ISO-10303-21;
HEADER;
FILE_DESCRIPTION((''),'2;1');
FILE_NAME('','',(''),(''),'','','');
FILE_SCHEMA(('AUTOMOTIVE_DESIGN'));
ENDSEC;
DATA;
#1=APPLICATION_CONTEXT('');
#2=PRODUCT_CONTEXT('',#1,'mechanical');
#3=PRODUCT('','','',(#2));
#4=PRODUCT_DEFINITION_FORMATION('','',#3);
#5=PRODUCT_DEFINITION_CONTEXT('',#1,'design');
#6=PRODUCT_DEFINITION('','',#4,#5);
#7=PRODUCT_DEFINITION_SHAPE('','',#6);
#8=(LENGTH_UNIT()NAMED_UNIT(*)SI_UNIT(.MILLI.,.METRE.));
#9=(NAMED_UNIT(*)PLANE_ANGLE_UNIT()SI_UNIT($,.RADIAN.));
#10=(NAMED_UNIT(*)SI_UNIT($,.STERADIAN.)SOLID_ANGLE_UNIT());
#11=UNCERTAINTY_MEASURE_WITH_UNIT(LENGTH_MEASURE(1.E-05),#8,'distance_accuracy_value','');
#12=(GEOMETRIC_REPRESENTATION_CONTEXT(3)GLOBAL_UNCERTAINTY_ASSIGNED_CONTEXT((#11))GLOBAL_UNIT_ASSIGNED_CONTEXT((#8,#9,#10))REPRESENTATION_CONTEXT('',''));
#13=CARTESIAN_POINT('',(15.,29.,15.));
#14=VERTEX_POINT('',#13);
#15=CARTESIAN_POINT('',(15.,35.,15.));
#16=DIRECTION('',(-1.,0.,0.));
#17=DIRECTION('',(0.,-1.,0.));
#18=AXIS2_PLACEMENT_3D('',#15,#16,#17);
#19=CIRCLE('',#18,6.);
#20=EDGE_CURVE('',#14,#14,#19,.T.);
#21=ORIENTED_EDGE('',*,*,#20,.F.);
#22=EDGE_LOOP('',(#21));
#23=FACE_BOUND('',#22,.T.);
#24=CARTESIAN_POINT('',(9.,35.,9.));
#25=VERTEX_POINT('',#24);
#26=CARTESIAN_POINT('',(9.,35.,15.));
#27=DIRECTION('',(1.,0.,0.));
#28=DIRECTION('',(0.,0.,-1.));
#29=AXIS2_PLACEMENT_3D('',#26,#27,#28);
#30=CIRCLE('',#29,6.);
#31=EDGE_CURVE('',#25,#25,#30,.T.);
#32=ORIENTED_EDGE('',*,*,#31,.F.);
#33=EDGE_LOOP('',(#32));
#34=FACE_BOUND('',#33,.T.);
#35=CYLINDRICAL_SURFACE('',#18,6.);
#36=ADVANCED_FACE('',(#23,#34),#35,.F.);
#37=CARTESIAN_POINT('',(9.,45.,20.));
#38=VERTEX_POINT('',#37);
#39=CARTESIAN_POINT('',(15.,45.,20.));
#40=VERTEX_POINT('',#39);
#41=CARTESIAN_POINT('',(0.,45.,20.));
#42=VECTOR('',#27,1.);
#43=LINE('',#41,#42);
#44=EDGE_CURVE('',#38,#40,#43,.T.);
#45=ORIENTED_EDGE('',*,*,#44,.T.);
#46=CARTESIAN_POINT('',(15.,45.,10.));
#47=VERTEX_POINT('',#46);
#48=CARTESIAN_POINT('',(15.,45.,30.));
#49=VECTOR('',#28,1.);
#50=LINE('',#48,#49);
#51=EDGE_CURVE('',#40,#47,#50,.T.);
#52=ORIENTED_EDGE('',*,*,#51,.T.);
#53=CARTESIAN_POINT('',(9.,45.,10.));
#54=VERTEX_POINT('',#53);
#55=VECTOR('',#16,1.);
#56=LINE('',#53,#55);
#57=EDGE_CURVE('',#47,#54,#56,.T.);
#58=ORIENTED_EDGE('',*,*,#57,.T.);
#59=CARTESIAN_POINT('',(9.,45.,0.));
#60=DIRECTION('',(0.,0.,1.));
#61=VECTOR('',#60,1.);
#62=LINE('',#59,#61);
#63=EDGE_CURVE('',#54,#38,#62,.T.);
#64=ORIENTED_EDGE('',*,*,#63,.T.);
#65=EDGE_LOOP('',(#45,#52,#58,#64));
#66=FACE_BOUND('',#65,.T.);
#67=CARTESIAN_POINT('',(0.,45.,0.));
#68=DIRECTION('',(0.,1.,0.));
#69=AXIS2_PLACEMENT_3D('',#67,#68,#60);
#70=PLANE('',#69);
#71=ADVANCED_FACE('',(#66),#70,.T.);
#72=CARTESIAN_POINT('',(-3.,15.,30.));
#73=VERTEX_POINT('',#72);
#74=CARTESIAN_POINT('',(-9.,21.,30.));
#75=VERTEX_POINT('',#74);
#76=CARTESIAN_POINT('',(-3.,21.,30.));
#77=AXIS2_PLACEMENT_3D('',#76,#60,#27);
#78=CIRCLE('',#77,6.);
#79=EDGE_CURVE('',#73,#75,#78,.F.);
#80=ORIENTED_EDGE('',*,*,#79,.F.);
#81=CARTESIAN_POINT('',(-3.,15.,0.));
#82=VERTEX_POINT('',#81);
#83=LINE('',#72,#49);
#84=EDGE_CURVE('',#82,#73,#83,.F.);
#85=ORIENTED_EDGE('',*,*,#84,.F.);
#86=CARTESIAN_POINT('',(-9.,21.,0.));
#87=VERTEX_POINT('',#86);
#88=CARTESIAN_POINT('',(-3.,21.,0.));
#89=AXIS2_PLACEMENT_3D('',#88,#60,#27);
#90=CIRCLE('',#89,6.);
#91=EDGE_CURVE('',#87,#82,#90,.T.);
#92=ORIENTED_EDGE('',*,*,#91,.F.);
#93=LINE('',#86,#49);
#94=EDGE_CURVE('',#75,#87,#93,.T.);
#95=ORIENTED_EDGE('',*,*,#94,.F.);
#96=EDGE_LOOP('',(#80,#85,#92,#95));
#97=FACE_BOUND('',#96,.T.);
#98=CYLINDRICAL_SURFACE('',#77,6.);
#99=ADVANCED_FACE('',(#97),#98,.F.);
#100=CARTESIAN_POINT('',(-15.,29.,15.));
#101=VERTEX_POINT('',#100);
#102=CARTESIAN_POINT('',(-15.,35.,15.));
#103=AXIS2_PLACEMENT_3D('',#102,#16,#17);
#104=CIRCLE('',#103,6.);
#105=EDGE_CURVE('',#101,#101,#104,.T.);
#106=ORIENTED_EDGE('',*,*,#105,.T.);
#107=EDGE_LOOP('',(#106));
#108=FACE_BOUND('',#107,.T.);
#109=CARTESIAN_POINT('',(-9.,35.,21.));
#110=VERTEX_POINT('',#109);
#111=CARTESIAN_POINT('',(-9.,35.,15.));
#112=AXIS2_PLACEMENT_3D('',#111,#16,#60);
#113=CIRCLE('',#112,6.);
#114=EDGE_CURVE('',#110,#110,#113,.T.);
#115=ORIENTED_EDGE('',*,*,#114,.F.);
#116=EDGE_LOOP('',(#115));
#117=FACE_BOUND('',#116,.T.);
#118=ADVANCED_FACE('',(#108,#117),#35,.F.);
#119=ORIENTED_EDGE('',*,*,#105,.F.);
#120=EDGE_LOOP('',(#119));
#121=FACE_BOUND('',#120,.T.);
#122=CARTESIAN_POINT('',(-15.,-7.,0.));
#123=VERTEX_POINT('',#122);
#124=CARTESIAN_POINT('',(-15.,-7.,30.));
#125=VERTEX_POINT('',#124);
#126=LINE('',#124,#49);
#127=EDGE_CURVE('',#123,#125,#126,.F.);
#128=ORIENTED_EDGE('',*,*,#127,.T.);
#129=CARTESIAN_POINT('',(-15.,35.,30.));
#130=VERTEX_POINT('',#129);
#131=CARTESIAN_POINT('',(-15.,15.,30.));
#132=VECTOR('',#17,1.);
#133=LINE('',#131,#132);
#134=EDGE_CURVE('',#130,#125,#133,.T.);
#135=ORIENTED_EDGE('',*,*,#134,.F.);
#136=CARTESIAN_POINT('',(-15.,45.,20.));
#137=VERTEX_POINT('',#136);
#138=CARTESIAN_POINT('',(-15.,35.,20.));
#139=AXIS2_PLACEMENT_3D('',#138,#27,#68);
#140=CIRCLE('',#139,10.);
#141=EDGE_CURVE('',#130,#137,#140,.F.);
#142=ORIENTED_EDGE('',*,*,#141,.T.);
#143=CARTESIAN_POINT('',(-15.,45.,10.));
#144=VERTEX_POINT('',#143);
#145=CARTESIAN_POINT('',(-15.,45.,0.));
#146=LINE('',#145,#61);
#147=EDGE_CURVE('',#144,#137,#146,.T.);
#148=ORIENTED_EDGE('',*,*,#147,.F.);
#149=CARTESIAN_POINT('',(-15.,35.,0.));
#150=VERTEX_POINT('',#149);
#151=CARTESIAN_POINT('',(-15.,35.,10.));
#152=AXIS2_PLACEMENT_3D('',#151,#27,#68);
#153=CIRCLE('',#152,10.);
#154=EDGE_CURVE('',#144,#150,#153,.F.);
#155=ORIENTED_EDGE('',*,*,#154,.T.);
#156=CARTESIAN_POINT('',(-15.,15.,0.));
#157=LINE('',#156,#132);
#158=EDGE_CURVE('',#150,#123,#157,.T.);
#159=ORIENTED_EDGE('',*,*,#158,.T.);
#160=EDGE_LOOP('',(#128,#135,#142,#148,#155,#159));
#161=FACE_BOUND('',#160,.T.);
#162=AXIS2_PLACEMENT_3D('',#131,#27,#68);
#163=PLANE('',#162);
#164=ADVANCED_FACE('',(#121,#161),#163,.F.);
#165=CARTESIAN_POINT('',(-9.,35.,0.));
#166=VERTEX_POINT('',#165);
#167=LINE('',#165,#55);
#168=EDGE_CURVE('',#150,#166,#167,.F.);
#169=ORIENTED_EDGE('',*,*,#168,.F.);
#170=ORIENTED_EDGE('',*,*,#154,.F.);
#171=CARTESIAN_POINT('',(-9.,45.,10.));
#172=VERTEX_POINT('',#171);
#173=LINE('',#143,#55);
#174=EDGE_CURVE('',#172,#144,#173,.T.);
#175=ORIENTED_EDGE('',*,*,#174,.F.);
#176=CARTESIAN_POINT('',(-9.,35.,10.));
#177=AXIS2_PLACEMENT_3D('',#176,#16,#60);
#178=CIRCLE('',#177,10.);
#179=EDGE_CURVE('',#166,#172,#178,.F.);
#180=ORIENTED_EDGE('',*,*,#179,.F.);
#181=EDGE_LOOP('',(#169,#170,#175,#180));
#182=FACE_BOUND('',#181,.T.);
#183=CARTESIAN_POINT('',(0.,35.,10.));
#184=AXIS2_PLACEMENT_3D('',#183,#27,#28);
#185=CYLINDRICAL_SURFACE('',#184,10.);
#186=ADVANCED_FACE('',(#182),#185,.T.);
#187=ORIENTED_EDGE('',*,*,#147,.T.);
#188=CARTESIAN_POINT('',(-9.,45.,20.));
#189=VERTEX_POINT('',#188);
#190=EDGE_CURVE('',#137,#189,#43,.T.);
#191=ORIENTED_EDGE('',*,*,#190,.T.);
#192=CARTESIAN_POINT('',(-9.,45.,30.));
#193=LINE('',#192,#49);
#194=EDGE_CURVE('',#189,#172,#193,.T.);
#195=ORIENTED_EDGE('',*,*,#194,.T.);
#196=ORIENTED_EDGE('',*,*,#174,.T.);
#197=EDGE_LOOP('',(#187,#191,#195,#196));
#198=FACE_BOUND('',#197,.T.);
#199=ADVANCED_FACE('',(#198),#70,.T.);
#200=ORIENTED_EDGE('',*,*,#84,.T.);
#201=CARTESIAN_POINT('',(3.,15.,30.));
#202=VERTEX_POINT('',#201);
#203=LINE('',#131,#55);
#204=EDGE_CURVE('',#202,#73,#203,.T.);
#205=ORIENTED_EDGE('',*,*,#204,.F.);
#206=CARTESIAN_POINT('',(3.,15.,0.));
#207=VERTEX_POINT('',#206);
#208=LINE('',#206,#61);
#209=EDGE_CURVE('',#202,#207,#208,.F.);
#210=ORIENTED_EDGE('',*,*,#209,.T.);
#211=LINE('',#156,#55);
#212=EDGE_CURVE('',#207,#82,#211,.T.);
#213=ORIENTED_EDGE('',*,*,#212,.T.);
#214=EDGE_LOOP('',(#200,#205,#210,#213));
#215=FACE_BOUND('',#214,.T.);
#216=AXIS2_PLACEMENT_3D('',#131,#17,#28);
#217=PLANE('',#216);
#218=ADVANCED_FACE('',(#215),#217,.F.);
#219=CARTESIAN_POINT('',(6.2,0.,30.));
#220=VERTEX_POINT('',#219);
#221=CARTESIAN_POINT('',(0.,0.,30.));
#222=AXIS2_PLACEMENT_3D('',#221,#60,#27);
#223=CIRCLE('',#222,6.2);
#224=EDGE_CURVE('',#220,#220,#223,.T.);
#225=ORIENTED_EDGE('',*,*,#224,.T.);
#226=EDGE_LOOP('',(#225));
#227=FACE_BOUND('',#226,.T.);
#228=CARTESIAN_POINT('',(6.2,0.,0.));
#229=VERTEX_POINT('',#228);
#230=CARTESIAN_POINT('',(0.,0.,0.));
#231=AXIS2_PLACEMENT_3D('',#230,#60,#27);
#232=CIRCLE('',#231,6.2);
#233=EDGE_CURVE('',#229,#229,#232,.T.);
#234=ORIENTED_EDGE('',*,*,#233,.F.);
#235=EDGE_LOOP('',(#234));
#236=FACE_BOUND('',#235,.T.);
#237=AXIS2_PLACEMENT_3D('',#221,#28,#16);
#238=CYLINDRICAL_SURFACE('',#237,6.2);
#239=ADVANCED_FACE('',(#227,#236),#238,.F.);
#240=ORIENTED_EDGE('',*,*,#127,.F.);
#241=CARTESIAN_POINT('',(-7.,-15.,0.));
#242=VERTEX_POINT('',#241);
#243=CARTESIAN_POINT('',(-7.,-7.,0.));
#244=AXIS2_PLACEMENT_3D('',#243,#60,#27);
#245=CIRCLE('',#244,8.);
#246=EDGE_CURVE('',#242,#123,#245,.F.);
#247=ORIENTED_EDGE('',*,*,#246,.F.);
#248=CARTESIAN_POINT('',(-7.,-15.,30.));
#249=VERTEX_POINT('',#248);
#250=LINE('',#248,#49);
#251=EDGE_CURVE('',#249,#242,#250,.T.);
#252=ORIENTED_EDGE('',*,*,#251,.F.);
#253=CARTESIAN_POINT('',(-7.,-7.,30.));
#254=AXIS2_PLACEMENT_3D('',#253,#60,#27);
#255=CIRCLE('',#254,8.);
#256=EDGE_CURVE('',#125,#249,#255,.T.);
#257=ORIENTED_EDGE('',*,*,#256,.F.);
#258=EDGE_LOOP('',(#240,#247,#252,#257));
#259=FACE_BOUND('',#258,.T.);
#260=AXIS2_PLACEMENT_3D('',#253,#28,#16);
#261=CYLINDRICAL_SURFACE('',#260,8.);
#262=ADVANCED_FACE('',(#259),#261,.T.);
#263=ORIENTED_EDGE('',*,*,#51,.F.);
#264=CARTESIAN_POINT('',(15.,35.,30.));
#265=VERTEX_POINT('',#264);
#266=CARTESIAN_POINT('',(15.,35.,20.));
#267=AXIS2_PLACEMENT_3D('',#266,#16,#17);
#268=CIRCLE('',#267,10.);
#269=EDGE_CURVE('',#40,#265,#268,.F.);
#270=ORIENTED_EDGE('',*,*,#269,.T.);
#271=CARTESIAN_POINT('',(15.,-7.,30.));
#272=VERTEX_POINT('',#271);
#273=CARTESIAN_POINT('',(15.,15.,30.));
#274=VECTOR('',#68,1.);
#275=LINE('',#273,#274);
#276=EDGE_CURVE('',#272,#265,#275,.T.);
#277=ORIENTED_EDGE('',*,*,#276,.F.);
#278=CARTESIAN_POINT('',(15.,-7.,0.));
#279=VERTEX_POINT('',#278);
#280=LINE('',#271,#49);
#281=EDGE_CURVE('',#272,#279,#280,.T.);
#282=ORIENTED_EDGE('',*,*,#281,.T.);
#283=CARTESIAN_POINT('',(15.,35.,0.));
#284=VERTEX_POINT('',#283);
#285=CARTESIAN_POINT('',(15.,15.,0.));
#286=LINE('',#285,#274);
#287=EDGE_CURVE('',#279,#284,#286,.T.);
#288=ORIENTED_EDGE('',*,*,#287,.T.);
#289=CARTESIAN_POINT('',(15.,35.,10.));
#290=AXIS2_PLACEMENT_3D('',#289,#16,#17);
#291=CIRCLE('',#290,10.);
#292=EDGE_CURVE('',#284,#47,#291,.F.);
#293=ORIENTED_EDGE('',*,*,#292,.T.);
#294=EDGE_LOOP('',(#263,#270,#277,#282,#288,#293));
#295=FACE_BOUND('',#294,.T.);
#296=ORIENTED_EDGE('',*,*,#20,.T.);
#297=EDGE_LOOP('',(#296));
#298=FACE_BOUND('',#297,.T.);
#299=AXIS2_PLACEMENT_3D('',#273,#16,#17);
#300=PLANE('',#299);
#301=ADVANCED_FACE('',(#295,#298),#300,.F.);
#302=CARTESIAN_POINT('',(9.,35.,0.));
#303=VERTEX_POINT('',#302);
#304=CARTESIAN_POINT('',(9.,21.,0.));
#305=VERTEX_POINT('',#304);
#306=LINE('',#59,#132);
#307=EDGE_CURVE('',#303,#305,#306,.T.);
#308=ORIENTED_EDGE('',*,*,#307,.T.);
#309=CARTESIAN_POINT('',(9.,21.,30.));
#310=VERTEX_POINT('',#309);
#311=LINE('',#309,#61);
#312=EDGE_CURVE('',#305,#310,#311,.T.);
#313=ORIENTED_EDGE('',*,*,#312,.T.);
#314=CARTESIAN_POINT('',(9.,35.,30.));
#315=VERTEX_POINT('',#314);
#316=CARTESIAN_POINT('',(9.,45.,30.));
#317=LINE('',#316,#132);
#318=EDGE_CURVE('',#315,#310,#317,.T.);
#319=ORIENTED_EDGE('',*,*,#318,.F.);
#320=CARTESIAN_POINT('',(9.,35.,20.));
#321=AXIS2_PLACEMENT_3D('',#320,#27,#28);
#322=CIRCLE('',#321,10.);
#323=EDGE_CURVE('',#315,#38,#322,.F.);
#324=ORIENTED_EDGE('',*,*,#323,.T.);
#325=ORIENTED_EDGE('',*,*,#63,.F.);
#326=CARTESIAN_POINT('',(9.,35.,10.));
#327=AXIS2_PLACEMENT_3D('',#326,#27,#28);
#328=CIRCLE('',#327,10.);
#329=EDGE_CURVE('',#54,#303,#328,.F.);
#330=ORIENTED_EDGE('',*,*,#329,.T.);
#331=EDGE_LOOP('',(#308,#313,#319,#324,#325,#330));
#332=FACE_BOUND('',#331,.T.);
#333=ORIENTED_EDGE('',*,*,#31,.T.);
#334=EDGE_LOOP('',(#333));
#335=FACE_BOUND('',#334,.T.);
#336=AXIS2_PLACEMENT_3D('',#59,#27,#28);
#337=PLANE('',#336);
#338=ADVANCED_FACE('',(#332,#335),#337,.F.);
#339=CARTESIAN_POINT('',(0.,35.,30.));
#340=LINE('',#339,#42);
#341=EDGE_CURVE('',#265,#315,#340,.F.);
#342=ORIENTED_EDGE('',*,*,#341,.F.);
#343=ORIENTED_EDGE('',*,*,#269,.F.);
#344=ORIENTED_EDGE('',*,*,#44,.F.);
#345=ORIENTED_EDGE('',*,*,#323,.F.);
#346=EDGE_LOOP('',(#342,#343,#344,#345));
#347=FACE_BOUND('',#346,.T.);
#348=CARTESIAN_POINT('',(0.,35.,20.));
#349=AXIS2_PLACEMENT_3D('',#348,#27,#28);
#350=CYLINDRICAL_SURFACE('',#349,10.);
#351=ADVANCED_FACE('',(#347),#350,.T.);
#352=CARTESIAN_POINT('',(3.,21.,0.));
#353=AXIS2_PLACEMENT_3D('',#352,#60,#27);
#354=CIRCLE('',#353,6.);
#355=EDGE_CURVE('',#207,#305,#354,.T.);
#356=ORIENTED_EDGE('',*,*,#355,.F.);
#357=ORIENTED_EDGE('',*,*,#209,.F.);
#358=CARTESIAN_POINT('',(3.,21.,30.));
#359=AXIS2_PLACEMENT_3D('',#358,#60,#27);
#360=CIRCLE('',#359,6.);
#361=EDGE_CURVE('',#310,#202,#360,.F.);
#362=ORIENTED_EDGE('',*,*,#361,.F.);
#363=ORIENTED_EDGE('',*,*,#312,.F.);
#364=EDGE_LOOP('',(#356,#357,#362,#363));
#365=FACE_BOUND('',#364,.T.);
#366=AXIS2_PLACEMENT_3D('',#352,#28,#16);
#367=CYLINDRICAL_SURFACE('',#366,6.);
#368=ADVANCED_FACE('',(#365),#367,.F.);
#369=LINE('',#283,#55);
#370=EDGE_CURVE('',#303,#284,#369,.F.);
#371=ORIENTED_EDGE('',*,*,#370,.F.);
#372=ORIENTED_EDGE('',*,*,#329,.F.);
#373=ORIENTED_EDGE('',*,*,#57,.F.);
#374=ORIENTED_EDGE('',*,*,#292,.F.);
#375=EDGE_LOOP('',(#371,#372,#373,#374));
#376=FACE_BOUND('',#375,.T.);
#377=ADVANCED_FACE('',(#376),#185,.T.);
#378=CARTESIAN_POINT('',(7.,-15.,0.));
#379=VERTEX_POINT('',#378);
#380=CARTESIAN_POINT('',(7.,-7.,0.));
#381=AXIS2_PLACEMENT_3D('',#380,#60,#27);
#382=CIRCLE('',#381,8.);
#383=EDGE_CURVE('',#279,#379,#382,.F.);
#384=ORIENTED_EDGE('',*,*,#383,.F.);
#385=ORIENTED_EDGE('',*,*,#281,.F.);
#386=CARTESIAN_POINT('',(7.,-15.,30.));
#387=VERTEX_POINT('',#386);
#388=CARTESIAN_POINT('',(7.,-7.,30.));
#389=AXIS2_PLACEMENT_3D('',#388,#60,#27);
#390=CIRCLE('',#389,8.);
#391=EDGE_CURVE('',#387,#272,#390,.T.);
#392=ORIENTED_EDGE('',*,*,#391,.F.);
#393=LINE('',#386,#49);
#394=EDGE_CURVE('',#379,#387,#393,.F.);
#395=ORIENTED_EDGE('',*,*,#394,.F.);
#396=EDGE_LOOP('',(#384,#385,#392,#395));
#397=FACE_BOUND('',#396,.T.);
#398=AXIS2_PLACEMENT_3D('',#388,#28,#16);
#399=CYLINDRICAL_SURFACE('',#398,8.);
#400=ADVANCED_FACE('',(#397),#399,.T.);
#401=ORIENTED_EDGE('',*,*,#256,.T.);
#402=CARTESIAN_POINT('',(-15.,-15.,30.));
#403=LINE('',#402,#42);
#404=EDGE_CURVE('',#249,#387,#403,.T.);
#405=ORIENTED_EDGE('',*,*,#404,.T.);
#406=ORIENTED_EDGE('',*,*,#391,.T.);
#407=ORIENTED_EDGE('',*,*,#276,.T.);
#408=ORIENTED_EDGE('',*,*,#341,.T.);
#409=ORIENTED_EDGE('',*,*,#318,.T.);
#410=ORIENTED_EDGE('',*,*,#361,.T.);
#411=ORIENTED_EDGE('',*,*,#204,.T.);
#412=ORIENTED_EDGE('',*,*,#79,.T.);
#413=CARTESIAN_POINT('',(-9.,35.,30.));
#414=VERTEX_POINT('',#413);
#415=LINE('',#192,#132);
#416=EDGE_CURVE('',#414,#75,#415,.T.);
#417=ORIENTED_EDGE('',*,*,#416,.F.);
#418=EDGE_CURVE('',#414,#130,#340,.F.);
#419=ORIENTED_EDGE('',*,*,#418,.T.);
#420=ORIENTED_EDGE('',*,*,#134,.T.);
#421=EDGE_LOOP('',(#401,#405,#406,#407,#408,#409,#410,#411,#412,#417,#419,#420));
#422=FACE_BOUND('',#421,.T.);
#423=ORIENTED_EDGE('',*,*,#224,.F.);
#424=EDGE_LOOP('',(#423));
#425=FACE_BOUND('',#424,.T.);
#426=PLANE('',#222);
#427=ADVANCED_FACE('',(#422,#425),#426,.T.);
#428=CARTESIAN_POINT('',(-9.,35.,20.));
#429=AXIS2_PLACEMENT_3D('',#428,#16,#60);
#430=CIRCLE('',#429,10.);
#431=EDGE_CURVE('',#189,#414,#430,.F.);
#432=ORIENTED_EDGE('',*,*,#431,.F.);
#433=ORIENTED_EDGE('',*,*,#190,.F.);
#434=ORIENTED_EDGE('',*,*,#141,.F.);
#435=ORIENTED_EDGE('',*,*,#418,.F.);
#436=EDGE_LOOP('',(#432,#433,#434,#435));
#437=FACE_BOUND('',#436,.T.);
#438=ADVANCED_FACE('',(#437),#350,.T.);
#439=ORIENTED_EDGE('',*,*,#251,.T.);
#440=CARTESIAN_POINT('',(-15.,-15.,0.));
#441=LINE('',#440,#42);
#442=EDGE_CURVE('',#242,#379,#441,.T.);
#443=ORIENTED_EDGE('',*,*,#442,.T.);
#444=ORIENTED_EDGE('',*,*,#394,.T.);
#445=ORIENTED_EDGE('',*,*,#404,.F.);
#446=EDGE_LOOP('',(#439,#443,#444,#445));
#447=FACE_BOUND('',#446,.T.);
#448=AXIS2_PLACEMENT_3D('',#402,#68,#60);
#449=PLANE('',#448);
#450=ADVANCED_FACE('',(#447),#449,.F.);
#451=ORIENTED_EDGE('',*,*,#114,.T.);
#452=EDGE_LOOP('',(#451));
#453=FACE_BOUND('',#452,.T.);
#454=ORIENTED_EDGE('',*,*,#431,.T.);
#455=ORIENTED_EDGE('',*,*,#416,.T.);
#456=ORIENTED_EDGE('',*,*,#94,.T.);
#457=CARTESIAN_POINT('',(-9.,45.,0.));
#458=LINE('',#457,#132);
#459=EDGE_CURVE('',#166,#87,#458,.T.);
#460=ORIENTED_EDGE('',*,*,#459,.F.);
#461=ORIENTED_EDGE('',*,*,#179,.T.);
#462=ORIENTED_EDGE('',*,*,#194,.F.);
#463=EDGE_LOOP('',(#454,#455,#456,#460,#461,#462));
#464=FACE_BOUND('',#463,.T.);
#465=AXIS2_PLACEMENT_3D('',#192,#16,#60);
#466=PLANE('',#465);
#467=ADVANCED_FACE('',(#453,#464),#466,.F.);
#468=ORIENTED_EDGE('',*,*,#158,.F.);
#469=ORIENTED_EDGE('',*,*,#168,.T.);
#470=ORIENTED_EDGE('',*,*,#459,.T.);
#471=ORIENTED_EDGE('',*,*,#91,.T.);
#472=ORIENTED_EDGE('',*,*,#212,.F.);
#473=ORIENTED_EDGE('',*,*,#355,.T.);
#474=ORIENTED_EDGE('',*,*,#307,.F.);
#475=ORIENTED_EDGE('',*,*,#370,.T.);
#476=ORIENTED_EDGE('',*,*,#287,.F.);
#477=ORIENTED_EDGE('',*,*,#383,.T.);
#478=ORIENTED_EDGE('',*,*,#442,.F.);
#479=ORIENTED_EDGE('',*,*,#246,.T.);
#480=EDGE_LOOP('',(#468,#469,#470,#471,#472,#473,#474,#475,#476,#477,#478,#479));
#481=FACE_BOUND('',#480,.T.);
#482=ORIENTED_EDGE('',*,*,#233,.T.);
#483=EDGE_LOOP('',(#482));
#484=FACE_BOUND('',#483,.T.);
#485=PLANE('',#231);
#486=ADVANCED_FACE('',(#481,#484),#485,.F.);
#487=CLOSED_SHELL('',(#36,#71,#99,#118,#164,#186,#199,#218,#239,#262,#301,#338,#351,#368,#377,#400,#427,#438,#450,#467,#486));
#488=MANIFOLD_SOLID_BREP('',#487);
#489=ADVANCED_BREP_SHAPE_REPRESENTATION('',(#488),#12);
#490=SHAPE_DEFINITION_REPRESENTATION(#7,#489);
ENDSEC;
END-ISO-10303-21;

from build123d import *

# Parameters (mm, degrees)
SKETCH2_W           = 30
SKETCH2_H           = 30
SKETCH2_R           = 6.2
BOSS_EXTRUDE2_DEPTH = 30
SKETCH4_W           = 6
SKETCH4_H           = 30
BOSS_EXTRUDE3_DEPTH = 30
FILLET1_R           = 8
FILLET4_R           = 10
SKETCH5_R           = 6
CUT_EXTRUDE1_DEPTH  = 30
FILLET5_R           = 6


with BuildPart() as part:
    # Sketch2 → Boss-Extrude2 (new body)
    with BuildSketch(Plane.XY):
        Rectangle(SKETCH2_W, SKETCH2_H)
        Circle(SKETCH2_R, mode=Mode.SUBTRACT)
    extrude(amount=BOSS_EXTRUDE2_DEPTH)

    # Sketch4 → Boss-Extrude3 (add)
    with BuildSketch(Plane(origin=(0, 15, 0), x_dir=(1, 0, 0), z_dir=(0, 1, 0))):
        with Locations((-12, -15)):
            Rectangle(SKETCH4_W, SKETCH4_H)
        with Locations((12, -15)):
            Rectangle(SKETCH4_W, SKETCH4_H)
    extrude(amount=BOSS_EXTRUDE3_DEPTH)

    # Fillet1
    fillet1_edges = [part.edges().sort_by_distance(p)[0] for p in [
        (15, -15, 15),
        (-15, -15, 15),
    ]]
    fillet(fillet1_edges, radius=FILLET1_R)

    # Fillet4
    fillet4_edges = [part.edges().sort_by_distance(p)[0] for p in [
        (-12, 45, 30),
        (-12, 45, 0),
        (12, 45, 30),
        (12, 45, 0),
    ]]
    fillet(fillet4_edges, radius=FILLET4_R)

    # Sketch5 → Cut-Extrude1 (cut)
    with BuildSketch(Plane.ZY.offset(15)):
        with Locations(Location((15, 35, 0), (0, 0, 270))):
            Circle(SKETCH5_R)
    extrude(amount=-CUT_EXTRUDE1_DEPTH, mode=Mode.SUBTRACT)

    # Fillet5
    fillet5_edges = [part.edges().sort_by_distance(p)[0] for p in [
        (-9, 15, 15),
        (9, 15, 15),
    ]]
    fillet(fillet5_edges, radius=FILLET5_R)


solid = part.part
